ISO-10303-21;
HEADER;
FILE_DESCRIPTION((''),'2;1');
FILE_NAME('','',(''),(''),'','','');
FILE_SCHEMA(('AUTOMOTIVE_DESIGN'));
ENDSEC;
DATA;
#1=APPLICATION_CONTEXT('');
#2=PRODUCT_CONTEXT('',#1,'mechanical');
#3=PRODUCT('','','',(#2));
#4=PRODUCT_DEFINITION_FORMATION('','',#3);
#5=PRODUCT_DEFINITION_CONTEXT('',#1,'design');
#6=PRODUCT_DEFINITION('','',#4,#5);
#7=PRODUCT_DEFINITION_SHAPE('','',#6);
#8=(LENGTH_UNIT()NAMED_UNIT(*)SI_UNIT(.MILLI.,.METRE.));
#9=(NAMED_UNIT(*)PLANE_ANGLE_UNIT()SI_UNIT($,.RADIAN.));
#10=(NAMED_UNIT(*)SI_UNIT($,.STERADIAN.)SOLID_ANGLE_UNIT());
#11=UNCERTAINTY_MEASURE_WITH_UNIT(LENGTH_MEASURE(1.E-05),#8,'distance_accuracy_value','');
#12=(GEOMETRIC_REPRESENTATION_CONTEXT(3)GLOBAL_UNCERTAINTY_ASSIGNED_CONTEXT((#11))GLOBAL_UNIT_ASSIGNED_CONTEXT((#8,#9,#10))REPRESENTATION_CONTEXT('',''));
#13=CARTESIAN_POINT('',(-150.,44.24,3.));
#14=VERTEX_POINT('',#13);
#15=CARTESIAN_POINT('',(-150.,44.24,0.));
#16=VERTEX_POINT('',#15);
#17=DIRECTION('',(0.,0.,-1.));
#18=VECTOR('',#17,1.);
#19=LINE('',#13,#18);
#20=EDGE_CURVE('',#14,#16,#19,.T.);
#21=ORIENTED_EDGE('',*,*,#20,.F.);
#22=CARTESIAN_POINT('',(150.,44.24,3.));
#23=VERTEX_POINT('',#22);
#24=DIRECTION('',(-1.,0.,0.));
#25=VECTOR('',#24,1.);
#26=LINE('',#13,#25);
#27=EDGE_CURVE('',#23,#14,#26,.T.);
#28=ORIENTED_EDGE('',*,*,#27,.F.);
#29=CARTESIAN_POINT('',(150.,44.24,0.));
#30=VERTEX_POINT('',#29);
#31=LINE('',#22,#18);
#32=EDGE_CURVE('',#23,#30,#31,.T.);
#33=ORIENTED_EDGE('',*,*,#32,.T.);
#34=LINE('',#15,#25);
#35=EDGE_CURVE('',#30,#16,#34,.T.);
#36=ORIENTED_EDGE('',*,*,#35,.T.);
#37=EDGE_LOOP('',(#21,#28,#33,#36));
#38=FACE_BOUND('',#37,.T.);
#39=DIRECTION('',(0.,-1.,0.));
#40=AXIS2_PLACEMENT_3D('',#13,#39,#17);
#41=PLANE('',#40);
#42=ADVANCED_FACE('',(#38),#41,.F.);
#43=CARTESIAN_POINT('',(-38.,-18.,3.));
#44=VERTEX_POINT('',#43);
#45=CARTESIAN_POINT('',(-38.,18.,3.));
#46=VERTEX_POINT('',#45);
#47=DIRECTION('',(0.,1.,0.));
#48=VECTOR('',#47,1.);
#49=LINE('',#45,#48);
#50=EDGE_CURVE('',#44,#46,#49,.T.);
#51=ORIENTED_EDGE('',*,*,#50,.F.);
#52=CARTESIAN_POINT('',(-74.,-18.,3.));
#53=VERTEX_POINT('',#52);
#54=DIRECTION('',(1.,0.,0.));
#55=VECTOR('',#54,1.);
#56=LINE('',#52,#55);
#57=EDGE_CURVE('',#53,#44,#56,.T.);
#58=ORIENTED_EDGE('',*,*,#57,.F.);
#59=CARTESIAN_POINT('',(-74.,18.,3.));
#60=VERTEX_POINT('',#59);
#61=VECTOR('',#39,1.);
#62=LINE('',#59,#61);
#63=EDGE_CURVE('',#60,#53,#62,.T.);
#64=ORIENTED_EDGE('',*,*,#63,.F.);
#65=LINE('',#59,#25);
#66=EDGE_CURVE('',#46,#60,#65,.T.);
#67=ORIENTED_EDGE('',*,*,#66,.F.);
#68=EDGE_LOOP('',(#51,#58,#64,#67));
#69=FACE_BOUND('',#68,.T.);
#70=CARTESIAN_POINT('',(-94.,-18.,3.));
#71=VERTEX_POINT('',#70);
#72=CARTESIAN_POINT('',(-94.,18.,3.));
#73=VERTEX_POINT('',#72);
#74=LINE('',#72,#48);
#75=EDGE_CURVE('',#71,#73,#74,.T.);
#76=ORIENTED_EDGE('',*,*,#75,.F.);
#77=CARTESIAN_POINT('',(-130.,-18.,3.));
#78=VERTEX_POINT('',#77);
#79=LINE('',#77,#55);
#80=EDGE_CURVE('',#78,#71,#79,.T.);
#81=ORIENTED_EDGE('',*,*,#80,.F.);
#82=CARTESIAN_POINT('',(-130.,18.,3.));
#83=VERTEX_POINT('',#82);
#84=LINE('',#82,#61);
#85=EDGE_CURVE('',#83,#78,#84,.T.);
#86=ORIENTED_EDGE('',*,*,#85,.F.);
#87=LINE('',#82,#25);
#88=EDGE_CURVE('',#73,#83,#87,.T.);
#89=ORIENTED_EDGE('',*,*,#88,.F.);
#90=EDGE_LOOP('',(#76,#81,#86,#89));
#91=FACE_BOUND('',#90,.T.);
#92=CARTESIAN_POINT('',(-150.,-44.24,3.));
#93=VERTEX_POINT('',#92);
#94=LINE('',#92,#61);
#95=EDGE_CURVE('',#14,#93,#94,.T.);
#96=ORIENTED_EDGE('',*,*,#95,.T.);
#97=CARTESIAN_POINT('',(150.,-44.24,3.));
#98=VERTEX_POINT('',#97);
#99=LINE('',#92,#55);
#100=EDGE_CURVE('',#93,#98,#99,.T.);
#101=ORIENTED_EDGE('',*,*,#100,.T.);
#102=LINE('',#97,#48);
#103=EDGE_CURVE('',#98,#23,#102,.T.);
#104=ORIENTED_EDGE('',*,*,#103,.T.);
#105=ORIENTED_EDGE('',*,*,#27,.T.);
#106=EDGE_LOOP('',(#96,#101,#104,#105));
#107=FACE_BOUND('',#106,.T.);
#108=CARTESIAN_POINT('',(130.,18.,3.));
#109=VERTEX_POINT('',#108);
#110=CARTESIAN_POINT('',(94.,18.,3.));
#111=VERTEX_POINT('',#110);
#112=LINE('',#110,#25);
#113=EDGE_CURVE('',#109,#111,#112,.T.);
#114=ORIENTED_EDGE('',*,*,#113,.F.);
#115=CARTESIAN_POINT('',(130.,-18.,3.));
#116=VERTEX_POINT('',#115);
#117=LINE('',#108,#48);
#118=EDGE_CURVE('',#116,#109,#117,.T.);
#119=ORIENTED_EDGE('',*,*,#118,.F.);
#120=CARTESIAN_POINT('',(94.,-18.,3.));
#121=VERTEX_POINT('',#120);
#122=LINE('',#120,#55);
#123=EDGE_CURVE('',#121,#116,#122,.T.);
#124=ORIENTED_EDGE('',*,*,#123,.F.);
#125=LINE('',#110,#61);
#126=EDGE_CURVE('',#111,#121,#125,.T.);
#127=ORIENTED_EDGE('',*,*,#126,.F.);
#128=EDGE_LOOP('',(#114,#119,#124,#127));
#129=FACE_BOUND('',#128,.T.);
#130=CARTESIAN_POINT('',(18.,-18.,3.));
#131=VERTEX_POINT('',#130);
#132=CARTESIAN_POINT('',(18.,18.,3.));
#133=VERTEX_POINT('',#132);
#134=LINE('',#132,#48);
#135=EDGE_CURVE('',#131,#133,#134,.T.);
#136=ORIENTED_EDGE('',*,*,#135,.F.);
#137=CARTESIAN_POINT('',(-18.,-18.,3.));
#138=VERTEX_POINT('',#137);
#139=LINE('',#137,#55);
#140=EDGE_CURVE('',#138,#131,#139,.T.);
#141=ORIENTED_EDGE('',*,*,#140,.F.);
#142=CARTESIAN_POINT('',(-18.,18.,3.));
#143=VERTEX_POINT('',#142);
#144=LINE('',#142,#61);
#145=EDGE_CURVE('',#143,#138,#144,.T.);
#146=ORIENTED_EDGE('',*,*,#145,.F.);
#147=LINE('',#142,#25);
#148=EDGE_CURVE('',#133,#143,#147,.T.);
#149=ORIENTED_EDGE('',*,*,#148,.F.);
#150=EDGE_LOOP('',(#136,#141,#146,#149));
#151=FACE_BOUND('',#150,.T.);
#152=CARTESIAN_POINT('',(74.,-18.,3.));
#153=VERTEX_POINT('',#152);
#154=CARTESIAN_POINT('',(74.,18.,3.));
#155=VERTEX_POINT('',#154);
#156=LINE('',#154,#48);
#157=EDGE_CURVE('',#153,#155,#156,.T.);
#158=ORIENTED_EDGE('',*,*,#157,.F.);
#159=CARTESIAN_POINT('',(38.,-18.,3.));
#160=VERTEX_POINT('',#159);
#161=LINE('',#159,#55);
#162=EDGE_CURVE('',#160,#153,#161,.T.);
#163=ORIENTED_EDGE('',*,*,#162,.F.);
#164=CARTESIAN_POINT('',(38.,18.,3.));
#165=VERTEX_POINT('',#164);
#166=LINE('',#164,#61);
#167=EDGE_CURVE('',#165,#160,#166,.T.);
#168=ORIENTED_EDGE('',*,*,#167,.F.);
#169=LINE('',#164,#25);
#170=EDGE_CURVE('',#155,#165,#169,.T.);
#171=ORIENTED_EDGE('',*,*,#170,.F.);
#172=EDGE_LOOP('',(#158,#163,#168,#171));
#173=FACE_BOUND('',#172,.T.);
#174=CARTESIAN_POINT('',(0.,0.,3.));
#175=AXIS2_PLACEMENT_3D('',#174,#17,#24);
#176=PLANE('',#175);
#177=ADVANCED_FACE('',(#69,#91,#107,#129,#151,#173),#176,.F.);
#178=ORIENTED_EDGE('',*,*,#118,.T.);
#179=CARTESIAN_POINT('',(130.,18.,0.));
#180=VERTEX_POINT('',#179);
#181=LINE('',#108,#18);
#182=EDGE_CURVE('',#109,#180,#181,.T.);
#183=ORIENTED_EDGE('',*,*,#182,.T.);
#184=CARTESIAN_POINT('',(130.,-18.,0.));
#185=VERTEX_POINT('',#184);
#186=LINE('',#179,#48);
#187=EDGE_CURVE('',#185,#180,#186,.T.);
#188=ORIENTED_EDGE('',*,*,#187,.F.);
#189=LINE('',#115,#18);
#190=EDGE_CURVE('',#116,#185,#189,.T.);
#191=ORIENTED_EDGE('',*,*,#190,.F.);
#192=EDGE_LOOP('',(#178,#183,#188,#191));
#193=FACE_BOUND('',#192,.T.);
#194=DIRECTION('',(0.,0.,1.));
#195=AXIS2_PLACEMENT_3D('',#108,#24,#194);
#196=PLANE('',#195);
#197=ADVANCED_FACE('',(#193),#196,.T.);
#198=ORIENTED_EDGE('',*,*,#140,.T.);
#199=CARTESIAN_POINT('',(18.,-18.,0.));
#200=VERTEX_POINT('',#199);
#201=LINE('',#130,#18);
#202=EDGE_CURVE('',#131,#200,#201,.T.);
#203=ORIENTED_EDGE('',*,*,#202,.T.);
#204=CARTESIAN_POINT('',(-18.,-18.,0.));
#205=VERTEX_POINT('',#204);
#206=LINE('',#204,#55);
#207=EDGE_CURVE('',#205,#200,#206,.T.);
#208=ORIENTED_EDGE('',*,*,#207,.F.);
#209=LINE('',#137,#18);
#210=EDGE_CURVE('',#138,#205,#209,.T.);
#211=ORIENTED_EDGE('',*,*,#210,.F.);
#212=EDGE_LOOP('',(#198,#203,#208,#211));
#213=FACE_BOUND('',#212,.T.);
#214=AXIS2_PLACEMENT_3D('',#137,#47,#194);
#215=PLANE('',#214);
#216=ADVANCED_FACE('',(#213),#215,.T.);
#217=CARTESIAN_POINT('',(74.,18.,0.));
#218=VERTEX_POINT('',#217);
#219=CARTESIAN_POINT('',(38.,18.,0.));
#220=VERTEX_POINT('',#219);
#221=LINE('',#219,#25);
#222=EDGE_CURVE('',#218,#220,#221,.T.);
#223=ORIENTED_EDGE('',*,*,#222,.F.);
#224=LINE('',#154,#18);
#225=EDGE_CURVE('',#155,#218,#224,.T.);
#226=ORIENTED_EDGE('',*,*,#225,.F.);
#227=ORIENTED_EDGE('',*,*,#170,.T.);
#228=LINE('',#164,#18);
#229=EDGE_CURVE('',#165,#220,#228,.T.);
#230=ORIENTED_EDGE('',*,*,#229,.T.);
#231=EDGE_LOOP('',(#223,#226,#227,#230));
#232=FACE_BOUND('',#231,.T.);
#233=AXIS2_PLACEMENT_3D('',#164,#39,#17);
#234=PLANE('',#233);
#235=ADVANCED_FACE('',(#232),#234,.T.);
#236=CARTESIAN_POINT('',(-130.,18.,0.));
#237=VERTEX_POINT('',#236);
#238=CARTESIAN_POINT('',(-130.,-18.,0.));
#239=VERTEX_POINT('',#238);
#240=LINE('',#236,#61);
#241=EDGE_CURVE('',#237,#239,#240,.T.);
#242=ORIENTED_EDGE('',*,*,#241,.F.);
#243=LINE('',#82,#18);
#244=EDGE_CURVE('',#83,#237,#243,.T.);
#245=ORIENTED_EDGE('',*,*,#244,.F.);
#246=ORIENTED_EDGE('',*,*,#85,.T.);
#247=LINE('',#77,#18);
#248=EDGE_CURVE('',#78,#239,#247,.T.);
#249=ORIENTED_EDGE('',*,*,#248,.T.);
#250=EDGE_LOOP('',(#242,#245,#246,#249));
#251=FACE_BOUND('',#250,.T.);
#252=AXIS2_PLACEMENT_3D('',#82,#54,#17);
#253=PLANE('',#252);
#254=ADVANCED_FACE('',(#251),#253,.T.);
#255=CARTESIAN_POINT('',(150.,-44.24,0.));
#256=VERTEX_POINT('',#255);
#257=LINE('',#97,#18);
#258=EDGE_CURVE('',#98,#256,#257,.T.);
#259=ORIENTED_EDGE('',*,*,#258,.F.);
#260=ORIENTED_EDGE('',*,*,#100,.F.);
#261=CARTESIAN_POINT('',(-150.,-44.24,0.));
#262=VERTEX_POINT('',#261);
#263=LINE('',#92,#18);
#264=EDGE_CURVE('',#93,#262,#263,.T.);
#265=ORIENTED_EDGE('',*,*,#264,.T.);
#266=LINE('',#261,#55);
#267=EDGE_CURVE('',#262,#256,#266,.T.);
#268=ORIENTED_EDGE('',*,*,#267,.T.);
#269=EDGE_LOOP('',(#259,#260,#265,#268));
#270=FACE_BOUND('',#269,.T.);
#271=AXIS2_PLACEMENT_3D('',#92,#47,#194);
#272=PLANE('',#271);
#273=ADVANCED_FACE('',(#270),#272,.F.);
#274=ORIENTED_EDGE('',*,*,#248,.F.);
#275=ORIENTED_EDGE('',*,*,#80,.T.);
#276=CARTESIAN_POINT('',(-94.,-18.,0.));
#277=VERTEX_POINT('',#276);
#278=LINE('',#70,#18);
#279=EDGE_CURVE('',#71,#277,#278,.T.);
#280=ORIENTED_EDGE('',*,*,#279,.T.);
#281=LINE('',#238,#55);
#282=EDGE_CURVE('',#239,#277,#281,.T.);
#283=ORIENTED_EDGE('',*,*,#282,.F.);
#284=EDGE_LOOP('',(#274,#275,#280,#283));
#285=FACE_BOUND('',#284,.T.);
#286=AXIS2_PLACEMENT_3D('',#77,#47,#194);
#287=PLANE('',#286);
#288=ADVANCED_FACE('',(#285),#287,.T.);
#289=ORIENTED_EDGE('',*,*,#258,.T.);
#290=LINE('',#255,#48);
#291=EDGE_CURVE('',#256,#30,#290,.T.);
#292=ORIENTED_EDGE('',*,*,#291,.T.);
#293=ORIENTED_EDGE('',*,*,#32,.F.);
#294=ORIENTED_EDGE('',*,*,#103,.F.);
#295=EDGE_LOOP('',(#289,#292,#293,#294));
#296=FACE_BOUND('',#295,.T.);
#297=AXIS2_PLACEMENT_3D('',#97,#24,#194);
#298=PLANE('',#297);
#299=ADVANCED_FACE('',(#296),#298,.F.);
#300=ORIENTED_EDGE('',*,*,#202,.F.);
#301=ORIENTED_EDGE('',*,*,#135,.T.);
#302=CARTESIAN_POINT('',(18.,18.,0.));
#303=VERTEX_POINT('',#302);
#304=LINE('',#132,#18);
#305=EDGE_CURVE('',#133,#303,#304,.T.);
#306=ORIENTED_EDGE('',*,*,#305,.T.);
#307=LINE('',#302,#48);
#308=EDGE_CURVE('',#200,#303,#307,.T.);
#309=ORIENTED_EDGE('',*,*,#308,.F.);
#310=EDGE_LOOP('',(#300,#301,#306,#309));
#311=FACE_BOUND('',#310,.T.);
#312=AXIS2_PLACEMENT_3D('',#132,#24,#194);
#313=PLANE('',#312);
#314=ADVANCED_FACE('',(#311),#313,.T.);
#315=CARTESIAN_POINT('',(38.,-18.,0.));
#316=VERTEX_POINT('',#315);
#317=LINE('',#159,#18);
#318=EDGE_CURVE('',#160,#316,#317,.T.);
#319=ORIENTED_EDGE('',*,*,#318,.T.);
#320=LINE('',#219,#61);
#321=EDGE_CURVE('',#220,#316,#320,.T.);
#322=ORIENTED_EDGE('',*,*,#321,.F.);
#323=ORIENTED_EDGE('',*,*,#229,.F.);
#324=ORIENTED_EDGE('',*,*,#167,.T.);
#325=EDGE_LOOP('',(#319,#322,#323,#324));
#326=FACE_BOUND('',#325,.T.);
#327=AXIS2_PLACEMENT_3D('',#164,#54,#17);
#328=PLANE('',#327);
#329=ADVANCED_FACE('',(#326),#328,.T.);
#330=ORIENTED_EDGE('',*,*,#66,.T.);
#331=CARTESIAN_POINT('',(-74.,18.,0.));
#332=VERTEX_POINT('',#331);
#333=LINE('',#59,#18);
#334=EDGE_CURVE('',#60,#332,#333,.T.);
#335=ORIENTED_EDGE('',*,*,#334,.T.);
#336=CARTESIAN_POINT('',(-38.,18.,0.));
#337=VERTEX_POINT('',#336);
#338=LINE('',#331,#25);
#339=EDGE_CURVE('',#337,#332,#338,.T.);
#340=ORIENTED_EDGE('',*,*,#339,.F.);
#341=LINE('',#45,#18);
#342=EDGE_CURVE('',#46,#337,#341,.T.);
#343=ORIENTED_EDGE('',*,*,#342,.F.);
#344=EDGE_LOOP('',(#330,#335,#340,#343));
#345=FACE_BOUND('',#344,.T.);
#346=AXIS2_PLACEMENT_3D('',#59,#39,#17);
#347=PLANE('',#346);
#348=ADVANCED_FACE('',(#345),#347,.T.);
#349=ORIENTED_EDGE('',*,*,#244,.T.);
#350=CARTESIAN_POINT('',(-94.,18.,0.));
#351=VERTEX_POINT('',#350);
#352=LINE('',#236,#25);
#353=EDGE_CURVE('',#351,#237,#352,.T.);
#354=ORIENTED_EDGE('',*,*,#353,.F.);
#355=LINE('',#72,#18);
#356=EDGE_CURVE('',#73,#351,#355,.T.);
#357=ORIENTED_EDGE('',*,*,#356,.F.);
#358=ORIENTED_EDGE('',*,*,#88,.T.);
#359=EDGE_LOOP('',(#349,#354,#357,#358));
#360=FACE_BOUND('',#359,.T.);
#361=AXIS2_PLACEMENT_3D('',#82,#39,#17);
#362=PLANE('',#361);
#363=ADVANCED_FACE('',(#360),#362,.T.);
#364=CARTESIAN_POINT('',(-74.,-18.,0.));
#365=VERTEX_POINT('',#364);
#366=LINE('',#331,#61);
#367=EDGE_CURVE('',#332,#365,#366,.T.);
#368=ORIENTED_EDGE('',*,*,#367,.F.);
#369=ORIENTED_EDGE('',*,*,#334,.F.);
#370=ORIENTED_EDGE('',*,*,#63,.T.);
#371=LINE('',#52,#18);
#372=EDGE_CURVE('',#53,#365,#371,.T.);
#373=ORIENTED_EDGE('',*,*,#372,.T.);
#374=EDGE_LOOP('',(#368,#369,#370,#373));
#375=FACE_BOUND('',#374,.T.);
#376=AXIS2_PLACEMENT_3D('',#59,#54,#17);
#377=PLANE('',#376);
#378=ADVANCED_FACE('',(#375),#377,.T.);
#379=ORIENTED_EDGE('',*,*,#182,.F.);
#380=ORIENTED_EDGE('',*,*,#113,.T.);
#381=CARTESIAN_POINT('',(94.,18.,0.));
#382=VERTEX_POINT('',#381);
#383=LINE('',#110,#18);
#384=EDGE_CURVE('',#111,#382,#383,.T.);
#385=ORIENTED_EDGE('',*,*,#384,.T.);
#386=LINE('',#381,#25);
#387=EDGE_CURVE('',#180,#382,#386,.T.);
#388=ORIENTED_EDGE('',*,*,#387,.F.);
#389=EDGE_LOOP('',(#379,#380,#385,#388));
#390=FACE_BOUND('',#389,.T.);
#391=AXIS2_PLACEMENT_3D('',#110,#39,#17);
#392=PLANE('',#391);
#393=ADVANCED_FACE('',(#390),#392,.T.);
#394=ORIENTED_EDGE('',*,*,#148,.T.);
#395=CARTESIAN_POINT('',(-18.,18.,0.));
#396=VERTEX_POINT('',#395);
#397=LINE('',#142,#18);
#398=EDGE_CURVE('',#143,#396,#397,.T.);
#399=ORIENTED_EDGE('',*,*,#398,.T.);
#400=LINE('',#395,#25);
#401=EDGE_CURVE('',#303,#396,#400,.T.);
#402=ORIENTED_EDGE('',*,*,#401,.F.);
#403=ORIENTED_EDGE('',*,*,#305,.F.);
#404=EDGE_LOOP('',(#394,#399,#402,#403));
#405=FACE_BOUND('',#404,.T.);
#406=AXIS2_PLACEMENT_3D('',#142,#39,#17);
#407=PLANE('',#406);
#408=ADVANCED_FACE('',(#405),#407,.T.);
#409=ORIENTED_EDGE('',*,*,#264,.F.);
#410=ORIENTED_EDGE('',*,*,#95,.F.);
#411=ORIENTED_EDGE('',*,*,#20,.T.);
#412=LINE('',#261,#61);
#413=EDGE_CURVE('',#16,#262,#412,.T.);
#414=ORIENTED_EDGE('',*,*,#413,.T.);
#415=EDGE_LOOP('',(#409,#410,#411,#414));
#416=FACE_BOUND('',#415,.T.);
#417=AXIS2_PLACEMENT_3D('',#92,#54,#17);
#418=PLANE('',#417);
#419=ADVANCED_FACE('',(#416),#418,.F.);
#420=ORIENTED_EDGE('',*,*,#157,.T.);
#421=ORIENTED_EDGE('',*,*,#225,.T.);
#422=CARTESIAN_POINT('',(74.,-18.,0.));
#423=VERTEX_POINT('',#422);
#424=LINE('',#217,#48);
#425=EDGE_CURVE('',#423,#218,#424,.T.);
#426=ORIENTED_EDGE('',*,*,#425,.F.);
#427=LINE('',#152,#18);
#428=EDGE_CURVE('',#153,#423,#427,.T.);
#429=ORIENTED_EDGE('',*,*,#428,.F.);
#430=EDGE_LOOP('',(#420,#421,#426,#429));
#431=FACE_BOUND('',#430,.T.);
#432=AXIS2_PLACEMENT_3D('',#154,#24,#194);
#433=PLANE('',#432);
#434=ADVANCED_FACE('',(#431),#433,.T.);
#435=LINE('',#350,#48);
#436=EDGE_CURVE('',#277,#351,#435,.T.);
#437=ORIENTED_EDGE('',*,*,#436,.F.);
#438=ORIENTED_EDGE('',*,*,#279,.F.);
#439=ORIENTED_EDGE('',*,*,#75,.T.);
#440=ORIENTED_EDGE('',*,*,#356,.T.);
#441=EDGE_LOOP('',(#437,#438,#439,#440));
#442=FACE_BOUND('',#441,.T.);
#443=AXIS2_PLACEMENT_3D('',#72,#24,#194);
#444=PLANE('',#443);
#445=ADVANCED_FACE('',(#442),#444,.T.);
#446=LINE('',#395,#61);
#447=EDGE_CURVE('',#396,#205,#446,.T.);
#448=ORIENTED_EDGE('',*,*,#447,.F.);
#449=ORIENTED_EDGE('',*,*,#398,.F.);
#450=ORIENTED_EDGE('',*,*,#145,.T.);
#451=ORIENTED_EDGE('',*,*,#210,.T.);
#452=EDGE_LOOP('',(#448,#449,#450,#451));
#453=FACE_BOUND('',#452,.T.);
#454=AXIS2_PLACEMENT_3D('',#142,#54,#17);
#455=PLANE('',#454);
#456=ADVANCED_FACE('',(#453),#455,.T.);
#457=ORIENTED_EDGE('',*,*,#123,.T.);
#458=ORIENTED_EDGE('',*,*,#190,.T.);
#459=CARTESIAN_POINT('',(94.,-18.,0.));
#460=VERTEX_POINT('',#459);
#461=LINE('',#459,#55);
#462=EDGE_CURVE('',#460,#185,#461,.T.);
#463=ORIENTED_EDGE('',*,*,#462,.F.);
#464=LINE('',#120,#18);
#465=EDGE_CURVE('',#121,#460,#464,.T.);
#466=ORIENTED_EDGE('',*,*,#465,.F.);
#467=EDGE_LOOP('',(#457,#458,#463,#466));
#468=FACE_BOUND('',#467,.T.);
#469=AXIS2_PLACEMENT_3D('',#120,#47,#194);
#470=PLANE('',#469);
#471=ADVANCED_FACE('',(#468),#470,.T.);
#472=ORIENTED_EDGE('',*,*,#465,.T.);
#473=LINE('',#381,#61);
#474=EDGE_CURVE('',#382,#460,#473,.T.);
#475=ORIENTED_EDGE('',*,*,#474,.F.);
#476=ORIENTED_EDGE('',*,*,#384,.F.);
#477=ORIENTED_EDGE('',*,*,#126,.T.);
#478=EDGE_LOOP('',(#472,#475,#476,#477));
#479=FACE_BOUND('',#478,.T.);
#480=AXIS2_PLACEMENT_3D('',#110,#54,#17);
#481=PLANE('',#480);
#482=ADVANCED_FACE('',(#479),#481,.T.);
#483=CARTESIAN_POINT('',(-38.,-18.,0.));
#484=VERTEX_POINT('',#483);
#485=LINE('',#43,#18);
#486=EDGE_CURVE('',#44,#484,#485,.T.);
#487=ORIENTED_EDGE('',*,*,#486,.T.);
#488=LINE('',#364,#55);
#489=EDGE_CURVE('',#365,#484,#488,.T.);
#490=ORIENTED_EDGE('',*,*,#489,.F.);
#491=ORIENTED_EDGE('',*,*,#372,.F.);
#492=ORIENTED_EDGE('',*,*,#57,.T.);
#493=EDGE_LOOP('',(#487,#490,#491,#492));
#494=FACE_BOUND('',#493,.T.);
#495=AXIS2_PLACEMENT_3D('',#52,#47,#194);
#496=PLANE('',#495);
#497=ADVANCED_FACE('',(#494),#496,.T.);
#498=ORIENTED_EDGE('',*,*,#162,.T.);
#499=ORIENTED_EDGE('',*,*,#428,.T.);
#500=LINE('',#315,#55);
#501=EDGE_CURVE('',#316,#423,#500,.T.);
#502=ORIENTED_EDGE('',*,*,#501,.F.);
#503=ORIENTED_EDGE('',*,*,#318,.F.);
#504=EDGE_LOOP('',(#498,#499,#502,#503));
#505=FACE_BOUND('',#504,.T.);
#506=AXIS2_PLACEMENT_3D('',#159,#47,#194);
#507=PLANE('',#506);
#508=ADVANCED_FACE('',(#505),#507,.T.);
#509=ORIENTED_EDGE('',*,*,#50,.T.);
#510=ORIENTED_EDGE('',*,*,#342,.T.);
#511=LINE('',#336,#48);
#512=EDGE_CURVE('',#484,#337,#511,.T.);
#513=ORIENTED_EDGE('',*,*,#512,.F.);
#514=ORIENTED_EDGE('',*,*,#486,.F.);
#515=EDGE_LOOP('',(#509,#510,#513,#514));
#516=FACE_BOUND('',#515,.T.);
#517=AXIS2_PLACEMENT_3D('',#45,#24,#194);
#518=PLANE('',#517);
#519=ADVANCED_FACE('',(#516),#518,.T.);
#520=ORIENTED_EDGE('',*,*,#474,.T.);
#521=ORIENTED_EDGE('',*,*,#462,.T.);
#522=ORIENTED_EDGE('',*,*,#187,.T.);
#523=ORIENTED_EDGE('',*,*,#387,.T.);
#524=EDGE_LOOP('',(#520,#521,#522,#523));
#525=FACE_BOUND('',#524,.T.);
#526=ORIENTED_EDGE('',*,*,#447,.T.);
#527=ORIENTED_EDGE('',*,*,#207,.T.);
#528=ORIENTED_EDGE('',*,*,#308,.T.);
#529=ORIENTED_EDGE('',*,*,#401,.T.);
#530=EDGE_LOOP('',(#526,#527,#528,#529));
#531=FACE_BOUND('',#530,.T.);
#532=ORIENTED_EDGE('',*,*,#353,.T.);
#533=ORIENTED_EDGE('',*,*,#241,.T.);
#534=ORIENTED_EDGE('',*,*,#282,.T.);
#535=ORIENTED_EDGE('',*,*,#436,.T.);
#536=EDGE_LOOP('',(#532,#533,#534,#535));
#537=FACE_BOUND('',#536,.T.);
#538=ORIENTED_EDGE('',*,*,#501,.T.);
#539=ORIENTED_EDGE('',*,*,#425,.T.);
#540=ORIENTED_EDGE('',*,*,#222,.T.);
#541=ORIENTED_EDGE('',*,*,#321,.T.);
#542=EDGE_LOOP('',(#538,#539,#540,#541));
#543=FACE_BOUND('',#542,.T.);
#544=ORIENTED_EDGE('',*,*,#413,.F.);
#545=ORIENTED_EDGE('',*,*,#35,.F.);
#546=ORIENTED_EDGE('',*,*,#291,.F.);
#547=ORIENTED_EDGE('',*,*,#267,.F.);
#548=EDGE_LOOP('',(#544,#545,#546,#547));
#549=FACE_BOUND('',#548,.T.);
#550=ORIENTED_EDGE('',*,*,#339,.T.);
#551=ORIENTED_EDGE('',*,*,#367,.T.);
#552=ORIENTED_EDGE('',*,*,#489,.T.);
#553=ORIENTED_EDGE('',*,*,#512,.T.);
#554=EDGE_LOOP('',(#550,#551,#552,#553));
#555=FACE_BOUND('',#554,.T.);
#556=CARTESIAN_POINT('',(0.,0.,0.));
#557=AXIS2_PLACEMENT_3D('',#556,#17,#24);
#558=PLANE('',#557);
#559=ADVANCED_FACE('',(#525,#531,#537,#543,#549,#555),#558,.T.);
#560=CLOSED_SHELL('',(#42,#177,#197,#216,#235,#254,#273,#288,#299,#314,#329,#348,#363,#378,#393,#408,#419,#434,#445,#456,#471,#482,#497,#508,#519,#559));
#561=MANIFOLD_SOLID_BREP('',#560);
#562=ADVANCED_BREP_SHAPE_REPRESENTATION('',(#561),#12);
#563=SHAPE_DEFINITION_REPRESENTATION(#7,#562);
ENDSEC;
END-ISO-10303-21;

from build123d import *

# Parameters (mm, degrees)
SKETCH1_W           = 300
SKETCH1_H           = 88.48
SKETCH1_W_2         = 36
SKETCH1_H_2         = 36
BOSS_EXTRUDE1_DEPTH = 3


with BuildPart() as part:
    # Sketch1 → Boss-Extrude1 (new body)
    with BuildSketch(Plane.XY):
        Rectangle(SKETCH1_W, SKETCH1_H)
        with Locations((-56, 0)):
            Rectangle(SKETCH1_W_2, SKETCH1_H_2, mode=Mode.SUBTRACT)
        with Locations((-112, 0)):
            Rectangle(SKETCH1_W_2, SKETCH1_H_2, mode=Mode.SUBTRACT)
        Rectangle(SKETCH1_W_2, SKETCH1_H_2, mode=Mode.SUBTRACT)
        with Locations((56, 0)):
            Rectangle(SKETCH1_W_2, SKETCH1_H_2, mode=Mode.SUBTRACT)
        with Locations((112, 0)):
            Rectangle(SKETCH1_W_2, SKETCH1_H_2, mode=Mode.SUBTRACT)
    extrude(amount=BOSS_EXTRUDE1_DEPTH)


solid = part.part
